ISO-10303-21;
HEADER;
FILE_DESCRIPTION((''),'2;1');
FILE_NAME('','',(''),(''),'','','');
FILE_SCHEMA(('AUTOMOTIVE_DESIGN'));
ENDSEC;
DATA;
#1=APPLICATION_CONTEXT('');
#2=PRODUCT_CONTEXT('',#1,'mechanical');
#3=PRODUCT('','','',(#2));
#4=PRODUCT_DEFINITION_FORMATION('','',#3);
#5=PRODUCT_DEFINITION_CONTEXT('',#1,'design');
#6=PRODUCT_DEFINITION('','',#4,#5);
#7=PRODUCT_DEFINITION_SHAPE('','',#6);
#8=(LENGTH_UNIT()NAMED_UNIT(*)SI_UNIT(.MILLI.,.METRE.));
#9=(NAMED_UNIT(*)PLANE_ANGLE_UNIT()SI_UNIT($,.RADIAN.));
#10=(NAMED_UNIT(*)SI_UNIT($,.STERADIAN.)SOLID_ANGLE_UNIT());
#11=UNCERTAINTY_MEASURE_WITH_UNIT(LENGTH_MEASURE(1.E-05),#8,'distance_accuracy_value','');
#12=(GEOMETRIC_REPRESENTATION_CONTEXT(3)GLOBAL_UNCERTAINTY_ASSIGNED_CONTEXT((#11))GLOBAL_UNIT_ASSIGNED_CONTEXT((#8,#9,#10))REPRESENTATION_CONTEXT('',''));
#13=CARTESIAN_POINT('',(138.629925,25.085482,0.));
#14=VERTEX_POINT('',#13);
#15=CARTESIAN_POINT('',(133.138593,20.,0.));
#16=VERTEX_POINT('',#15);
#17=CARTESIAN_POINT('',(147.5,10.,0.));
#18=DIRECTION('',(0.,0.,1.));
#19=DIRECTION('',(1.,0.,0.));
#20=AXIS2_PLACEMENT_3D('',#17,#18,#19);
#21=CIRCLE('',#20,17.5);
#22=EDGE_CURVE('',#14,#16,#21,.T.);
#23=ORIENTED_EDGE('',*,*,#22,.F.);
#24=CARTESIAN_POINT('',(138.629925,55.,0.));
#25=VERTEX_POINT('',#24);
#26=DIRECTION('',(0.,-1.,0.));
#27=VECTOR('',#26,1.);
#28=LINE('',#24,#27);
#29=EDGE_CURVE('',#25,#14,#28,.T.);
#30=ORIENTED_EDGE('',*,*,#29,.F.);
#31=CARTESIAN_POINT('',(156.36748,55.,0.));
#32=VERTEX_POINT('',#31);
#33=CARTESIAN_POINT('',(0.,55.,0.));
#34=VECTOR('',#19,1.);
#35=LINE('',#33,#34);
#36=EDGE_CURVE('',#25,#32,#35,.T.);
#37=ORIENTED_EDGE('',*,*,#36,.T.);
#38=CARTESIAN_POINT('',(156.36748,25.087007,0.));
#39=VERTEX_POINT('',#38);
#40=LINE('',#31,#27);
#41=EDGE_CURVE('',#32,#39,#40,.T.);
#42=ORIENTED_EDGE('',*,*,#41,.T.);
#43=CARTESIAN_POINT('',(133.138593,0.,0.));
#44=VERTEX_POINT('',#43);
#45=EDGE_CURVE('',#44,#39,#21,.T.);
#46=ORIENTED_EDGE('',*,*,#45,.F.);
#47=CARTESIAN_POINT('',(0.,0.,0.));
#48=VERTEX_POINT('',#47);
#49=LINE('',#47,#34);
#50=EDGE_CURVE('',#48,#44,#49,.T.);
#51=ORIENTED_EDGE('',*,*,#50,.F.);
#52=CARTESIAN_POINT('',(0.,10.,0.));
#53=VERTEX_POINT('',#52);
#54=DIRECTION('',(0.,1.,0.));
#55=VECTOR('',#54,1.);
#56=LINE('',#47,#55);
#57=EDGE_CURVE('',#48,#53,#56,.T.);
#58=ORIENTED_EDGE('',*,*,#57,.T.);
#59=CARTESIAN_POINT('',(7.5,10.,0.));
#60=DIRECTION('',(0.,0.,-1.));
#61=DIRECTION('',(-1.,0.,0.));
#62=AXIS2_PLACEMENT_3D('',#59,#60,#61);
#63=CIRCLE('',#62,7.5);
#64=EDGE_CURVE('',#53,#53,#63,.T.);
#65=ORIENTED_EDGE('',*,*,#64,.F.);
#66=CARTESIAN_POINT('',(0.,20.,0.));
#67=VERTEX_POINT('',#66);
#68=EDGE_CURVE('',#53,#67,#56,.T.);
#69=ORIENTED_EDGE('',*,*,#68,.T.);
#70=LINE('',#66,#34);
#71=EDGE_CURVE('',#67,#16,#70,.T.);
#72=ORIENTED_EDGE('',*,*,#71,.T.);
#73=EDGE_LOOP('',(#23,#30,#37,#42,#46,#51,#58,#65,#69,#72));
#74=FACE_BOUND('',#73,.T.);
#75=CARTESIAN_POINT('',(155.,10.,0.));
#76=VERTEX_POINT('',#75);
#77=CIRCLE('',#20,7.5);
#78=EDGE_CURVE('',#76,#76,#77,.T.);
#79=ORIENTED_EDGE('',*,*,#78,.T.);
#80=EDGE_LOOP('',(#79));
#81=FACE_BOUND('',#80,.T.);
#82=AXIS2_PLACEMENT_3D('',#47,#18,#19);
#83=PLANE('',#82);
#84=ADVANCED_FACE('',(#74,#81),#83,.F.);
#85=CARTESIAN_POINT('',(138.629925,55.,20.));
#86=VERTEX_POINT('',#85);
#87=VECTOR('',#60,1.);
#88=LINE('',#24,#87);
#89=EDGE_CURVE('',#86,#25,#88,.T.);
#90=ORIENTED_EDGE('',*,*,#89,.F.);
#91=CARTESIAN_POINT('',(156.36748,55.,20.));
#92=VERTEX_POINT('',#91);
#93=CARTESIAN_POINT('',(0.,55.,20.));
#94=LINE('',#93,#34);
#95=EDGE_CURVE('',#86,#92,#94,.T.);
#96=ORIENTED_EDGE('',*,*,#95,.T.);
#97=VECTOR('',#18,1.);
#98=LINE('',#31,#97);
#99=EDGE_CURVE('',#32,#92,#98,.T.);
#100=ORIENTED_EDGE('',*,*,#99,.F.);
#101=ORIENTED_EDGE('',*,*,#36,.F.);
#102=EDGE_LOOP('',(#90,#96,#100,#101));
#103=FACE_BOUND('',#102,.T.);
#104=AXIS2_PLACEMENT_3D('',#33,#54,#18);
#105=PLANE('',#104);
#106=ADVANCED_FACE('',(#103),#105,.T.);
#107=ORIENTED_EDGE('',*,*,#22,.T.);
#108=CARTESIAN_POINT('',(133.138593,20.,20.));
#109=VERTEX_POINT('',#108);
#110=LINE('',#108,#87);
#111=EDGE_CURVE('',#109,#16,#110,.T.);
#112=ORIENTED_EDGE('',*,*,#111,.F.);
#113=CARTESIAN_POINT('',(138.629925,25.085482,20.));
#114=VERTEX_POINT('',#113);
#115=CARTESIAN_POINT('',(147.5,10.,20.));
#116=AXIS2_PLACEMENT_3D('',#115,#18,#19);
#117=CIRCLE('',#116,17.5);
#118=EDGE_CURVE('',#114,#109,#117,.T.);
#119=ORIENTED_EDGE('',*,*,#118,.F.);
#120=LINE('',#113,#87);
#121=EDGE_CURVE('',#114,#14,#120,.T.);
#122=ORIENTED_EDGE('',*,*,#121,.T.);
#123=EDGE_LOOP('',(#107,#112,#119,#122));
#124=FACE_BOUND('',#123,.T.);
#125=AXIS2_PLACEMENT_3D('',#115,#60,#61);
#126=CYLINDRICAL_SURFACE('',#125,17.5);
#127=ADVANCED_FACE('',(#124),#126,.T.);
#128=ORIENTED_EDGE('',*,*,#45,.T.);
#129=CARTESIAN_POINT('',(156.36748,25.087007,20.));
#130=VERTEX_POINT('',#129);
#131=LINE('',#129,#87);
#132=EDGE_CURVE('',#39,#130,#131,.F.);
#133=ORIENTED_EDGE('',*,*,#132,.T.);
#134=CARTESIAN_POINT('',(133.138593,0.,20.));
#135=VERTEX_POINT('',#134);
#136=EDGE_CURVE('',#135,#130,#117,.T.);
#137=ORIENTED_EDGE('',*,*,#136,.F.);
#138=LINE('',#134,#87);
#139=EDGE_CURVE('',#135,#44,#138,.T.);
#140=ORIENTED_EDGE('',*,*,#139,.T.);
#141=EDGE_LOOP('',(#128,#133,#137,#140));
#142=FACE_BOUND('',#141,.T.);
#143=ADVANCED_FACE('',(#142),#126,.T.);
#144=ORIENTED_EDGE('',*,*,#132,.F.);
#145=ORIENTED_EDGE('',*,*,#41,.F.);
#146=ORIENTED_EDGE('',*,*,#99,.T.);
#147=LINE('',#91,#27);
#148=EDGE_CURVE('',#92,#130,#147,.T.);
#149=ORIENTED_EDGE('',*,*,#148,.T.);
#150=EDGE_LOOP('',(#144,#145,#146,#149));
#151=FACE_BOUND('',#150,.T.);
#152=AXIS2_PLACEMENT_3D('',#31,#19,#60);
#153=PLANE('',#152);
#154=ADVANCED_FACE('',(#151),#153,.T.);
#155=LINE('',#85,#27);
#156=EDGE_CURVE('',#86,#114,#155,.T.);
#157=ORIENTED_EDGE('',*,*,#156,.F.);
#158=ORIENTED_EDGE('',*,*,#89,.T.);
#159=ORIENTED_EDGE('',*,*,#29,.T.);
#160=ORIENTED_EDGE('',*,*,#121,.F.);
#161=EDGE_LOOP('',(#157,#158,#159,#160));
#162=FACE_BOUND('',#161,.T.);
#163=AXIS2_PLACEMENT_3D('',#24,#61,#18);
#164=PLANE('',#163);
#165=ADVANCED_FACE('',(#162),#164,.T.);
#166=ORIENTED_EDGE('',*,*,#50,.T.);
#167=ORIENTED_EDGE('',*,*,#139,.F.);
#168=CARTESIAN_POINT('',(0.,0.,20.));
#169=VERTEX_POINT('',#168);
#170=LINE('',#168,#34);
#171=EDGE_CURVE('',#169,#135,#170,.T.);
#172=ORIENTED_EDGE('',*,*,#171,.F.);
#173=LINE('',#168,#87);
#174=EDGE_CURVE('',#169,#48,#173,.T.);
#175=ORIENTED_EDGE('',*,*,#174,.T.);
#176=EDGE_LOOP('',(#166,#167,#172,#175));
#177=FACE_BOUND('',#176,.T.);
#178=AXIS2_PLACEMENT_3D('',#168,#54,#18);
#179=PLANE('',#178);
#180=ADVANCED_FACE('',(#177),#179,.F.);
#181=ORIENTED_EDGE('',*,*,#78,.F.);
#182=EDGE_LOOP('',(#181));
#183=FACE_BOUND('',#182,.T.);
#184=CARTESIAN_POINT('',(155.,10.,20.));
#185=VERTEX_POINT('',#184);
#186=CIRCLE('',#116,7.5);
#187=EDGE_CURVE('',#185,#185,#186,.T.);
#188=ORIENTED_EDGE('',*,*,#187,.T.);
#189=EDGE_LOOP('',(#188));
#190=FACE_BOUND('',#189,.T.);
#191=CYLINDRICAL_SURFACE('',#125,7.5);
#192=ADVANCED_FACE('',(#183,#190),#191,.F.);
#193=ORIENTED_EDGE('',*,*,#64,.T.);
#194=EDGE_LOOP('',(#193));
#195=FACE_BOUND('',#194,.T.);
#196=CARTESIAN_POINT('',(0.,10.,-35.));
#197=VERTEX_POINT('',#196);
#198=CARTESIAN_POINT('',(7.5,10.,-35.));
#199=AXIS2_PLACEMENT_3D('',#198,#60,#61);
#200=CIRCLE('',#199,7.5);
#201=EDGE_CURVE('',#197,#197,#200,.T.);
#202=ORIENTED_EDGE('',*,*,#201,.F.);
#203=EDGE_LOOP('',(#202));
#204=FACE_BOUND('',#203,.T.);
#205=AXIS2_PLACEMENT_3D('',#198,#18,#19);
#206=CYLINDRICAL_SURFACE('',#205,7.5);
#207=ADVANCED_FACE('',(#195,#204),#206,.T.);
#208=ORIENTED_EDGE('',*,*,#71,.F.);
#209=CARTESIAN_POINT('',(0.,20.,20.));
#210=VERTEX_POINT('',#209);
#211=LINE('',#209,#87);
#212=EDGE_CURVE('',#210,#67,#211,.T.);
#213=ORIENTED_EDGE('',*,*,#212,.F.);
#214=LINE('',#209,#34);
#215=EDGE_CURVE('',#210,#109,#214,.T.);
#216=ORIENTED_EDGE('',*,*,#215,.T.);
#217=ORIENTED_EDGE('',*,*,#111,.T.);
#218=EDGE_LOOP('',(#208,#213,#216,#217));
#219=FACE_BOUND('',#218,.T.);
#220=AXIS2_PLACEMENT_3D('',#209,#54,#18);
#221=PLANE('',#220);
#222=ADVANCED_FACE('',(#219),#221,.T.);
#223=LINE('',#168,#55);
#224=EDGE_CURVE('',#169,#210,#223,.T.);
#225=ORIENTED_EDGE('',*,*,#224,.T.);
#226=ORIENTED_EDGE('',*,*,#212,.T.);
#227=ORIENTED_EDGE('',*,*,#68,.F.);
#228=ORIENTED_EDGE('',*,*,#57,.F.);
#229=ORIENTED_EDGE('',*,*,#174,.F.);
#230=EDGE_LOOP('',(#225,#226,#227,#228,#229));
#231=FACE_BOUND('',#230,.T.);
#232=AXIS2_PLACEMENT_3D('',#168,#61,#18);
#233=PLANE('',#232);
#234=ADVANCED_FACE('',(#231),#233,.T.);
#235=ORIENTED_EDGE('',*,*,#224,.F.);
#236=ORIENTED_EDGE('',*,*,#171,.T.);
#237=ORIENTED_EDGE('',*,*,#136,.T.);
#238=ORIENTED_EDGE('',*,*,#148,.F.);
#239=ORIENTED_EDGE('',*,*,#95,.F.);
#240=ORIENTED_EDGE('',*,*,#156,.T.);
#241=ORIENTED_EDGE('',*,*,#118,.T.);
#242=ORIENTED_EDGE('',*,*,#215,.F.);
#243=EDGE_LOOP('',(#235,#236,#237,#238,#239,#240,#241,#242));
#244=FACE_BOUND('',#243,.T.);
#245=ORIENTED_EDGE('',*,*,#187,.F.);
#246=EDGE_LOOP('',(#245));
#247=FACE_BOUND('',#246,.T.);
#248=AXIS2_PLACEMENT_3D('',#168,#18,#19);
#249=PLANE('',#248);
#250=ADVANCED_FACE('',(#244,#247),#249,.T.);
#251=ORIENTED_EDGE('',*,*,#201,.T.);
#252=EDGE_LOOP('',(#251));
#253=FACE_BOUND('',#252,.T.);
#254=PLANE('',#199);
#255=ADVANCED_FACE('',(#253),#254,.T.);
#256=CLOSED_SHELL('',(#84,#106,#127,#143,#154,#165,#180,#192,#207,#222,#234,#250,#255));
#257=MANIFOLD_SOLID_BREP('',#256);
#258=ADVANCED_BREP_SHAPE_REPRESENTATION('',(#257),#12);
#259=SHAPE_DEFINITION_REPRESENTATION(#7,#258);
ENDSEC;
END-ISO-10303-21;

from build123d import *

# Parameters (mm, degrees)
SKETCH1_R           = 7.5
BOSS_EXTRUDE5_DEPTH = 20
SKETCH2_R           = 7.5
BOSS_EXTRUDE6_DEPTH = 35
SKETCH3_W           = 17.737554882
SKETCH3_H           = 20
BOSS_EXTRUDE7_DEPTH = 30


with BuildPart() as part:
    # Sketch1 → Boss-Extrude5 (new body)
    # profile 1 of 6: a face of its own
    with BuildSketch(Plane.XY):
        with BuildLine():
            ThreePointArc((133.138593384, 0), (130, 10), (133.138593384, 20))
            Line((133.138593384, 20), (0, 20))
            Line((0, 20), (0, 10))
            Line((0, 10), (0, 0))
            Line((0, 0), (133.138593384, 0))
        make_face()
        with BuildLine():
            ThreePointArc((15, 10), (7.5, 2.5), (0, 10))
            ThreePointArc((0, 10), (7.5, 17.5), (15, 10))
        make_face(mode=Mode.SUBTRACT)
    # profile 2 of 6: a face of its own
    with BuildSketch(Plane.XY):
        with BuildLine():
            ThreePointArc((147.5, 2.5), (140, 10), (147.5, 17.5))
            Line((147.5, 17.5), (147.5, 20))
            Line((147.5, 20), (133.138593384, 20))
            ThreePointArc((133.138593384, 20), (130, 10), (133.138593384, 0))
            Line((133.138593384, 0), (147.5, 0))
            Line((147.5, 0), (147.5, 2.5))
        make_face()
    # profile 3 of 6: a face of its own
    with BuildSketch(Plane.XY):
        with BuildLine():
            Line((147.5, 20), (147.5, 17.5))
            ThreePointArc((147.5, 17.5), (152.803300859, 15.303300859), (155, 10))
            ThreePointArc((155, 10), (152.803300859, 4.696699141), (147.5, 2.5))
            Line((147.5, 2.5), (147.5, 0))
            Line((147.5, 0), (133.138593384, 0))
            ThreePointArc((133.138593384, 0), (152.740485866, -6.696925103), (165, 10))
            ThreePointArc((165, 10), (152.740485866, 26.696925103), (133.138593384, 20))
            Line((133.138593384, 20), (147.5, 20))
        make_face()
    # profile 4 of 6: a face of its own
    with BuildSketch(Plane.XY):
        with Locations((7.5, 10)):
            Circle(SKETCH1_R)
    # profile 5 of 6: a face of its own
    with BuildSketch(Plane.XY):
        with BuildLine():
            ThreePointArc((147.5, 2.5), (140, 10), (147.5, 17.5))
            Line((147.5, 17.5), (147.5, 20))
            Line((147.5, 20), (133.138593384, 20))
            ThreePointArc((133.138593384, 20), (130, 10), (133.138593384, 0))
            Line((133.138593384, 0), (147.5, 0))
            Line((147.5, 0), (147.5, 2.5))
        make_face()
    # profile 6 of 6: a face of its own
    with BuildSketch(Plane.XY):
        with BuildLine():
            Line((147.5, 20), (147.5, 17.5))
            ThreePointArc((147.5, 17.5), (152.803300859, 15.303300859), (155, 10))
            ThreePointArc((155, 10), (152.803300859, 4.696699141), (147.5, 2.5))
            Line((147.5, 2.5), (147.5, 0))
            Line((147.5, 0), (133.138593384, 0))
            ThreePointArc((133.138593384, 0), (152.740485866, -6.696925103), (165, 10))
            ThreePointArc((165, 10), (152.740485866, 26.696925103), (133.138593384, 20))
            Line((133.138593384, 20), (147.5, 20))
        make_face()
    extrude(amount=BOSS_EXTRUDE5_DEPTH)

    # Sketch2 → Boss-Extrude6 (add)
    with BuildSketch(Plane(origin=(0, 0, 0), x_dir=(-1, 0, 0), z_dir=(0, 0, -1))):
        with Locations((-7.5, 10)):
            Circle(SKETCH2_R)
    extrude(amount=BOSS_EXTRUDE6_DEPTH)

    # Sketch3 → Boss-Extrude7 (add)
    with BuildSketch(Plane(origin=(0, 25, 0), x_dir=(1, 0, 0), z_dir=(0, 1, 0))):
        with Locations((147.498702773, -10)):
            Rectangle(SKETCH3_W, SKETCH3_H)
    extrude(amount=BOSS_EXTRUDE7_DEPTH)


solid = part.part
